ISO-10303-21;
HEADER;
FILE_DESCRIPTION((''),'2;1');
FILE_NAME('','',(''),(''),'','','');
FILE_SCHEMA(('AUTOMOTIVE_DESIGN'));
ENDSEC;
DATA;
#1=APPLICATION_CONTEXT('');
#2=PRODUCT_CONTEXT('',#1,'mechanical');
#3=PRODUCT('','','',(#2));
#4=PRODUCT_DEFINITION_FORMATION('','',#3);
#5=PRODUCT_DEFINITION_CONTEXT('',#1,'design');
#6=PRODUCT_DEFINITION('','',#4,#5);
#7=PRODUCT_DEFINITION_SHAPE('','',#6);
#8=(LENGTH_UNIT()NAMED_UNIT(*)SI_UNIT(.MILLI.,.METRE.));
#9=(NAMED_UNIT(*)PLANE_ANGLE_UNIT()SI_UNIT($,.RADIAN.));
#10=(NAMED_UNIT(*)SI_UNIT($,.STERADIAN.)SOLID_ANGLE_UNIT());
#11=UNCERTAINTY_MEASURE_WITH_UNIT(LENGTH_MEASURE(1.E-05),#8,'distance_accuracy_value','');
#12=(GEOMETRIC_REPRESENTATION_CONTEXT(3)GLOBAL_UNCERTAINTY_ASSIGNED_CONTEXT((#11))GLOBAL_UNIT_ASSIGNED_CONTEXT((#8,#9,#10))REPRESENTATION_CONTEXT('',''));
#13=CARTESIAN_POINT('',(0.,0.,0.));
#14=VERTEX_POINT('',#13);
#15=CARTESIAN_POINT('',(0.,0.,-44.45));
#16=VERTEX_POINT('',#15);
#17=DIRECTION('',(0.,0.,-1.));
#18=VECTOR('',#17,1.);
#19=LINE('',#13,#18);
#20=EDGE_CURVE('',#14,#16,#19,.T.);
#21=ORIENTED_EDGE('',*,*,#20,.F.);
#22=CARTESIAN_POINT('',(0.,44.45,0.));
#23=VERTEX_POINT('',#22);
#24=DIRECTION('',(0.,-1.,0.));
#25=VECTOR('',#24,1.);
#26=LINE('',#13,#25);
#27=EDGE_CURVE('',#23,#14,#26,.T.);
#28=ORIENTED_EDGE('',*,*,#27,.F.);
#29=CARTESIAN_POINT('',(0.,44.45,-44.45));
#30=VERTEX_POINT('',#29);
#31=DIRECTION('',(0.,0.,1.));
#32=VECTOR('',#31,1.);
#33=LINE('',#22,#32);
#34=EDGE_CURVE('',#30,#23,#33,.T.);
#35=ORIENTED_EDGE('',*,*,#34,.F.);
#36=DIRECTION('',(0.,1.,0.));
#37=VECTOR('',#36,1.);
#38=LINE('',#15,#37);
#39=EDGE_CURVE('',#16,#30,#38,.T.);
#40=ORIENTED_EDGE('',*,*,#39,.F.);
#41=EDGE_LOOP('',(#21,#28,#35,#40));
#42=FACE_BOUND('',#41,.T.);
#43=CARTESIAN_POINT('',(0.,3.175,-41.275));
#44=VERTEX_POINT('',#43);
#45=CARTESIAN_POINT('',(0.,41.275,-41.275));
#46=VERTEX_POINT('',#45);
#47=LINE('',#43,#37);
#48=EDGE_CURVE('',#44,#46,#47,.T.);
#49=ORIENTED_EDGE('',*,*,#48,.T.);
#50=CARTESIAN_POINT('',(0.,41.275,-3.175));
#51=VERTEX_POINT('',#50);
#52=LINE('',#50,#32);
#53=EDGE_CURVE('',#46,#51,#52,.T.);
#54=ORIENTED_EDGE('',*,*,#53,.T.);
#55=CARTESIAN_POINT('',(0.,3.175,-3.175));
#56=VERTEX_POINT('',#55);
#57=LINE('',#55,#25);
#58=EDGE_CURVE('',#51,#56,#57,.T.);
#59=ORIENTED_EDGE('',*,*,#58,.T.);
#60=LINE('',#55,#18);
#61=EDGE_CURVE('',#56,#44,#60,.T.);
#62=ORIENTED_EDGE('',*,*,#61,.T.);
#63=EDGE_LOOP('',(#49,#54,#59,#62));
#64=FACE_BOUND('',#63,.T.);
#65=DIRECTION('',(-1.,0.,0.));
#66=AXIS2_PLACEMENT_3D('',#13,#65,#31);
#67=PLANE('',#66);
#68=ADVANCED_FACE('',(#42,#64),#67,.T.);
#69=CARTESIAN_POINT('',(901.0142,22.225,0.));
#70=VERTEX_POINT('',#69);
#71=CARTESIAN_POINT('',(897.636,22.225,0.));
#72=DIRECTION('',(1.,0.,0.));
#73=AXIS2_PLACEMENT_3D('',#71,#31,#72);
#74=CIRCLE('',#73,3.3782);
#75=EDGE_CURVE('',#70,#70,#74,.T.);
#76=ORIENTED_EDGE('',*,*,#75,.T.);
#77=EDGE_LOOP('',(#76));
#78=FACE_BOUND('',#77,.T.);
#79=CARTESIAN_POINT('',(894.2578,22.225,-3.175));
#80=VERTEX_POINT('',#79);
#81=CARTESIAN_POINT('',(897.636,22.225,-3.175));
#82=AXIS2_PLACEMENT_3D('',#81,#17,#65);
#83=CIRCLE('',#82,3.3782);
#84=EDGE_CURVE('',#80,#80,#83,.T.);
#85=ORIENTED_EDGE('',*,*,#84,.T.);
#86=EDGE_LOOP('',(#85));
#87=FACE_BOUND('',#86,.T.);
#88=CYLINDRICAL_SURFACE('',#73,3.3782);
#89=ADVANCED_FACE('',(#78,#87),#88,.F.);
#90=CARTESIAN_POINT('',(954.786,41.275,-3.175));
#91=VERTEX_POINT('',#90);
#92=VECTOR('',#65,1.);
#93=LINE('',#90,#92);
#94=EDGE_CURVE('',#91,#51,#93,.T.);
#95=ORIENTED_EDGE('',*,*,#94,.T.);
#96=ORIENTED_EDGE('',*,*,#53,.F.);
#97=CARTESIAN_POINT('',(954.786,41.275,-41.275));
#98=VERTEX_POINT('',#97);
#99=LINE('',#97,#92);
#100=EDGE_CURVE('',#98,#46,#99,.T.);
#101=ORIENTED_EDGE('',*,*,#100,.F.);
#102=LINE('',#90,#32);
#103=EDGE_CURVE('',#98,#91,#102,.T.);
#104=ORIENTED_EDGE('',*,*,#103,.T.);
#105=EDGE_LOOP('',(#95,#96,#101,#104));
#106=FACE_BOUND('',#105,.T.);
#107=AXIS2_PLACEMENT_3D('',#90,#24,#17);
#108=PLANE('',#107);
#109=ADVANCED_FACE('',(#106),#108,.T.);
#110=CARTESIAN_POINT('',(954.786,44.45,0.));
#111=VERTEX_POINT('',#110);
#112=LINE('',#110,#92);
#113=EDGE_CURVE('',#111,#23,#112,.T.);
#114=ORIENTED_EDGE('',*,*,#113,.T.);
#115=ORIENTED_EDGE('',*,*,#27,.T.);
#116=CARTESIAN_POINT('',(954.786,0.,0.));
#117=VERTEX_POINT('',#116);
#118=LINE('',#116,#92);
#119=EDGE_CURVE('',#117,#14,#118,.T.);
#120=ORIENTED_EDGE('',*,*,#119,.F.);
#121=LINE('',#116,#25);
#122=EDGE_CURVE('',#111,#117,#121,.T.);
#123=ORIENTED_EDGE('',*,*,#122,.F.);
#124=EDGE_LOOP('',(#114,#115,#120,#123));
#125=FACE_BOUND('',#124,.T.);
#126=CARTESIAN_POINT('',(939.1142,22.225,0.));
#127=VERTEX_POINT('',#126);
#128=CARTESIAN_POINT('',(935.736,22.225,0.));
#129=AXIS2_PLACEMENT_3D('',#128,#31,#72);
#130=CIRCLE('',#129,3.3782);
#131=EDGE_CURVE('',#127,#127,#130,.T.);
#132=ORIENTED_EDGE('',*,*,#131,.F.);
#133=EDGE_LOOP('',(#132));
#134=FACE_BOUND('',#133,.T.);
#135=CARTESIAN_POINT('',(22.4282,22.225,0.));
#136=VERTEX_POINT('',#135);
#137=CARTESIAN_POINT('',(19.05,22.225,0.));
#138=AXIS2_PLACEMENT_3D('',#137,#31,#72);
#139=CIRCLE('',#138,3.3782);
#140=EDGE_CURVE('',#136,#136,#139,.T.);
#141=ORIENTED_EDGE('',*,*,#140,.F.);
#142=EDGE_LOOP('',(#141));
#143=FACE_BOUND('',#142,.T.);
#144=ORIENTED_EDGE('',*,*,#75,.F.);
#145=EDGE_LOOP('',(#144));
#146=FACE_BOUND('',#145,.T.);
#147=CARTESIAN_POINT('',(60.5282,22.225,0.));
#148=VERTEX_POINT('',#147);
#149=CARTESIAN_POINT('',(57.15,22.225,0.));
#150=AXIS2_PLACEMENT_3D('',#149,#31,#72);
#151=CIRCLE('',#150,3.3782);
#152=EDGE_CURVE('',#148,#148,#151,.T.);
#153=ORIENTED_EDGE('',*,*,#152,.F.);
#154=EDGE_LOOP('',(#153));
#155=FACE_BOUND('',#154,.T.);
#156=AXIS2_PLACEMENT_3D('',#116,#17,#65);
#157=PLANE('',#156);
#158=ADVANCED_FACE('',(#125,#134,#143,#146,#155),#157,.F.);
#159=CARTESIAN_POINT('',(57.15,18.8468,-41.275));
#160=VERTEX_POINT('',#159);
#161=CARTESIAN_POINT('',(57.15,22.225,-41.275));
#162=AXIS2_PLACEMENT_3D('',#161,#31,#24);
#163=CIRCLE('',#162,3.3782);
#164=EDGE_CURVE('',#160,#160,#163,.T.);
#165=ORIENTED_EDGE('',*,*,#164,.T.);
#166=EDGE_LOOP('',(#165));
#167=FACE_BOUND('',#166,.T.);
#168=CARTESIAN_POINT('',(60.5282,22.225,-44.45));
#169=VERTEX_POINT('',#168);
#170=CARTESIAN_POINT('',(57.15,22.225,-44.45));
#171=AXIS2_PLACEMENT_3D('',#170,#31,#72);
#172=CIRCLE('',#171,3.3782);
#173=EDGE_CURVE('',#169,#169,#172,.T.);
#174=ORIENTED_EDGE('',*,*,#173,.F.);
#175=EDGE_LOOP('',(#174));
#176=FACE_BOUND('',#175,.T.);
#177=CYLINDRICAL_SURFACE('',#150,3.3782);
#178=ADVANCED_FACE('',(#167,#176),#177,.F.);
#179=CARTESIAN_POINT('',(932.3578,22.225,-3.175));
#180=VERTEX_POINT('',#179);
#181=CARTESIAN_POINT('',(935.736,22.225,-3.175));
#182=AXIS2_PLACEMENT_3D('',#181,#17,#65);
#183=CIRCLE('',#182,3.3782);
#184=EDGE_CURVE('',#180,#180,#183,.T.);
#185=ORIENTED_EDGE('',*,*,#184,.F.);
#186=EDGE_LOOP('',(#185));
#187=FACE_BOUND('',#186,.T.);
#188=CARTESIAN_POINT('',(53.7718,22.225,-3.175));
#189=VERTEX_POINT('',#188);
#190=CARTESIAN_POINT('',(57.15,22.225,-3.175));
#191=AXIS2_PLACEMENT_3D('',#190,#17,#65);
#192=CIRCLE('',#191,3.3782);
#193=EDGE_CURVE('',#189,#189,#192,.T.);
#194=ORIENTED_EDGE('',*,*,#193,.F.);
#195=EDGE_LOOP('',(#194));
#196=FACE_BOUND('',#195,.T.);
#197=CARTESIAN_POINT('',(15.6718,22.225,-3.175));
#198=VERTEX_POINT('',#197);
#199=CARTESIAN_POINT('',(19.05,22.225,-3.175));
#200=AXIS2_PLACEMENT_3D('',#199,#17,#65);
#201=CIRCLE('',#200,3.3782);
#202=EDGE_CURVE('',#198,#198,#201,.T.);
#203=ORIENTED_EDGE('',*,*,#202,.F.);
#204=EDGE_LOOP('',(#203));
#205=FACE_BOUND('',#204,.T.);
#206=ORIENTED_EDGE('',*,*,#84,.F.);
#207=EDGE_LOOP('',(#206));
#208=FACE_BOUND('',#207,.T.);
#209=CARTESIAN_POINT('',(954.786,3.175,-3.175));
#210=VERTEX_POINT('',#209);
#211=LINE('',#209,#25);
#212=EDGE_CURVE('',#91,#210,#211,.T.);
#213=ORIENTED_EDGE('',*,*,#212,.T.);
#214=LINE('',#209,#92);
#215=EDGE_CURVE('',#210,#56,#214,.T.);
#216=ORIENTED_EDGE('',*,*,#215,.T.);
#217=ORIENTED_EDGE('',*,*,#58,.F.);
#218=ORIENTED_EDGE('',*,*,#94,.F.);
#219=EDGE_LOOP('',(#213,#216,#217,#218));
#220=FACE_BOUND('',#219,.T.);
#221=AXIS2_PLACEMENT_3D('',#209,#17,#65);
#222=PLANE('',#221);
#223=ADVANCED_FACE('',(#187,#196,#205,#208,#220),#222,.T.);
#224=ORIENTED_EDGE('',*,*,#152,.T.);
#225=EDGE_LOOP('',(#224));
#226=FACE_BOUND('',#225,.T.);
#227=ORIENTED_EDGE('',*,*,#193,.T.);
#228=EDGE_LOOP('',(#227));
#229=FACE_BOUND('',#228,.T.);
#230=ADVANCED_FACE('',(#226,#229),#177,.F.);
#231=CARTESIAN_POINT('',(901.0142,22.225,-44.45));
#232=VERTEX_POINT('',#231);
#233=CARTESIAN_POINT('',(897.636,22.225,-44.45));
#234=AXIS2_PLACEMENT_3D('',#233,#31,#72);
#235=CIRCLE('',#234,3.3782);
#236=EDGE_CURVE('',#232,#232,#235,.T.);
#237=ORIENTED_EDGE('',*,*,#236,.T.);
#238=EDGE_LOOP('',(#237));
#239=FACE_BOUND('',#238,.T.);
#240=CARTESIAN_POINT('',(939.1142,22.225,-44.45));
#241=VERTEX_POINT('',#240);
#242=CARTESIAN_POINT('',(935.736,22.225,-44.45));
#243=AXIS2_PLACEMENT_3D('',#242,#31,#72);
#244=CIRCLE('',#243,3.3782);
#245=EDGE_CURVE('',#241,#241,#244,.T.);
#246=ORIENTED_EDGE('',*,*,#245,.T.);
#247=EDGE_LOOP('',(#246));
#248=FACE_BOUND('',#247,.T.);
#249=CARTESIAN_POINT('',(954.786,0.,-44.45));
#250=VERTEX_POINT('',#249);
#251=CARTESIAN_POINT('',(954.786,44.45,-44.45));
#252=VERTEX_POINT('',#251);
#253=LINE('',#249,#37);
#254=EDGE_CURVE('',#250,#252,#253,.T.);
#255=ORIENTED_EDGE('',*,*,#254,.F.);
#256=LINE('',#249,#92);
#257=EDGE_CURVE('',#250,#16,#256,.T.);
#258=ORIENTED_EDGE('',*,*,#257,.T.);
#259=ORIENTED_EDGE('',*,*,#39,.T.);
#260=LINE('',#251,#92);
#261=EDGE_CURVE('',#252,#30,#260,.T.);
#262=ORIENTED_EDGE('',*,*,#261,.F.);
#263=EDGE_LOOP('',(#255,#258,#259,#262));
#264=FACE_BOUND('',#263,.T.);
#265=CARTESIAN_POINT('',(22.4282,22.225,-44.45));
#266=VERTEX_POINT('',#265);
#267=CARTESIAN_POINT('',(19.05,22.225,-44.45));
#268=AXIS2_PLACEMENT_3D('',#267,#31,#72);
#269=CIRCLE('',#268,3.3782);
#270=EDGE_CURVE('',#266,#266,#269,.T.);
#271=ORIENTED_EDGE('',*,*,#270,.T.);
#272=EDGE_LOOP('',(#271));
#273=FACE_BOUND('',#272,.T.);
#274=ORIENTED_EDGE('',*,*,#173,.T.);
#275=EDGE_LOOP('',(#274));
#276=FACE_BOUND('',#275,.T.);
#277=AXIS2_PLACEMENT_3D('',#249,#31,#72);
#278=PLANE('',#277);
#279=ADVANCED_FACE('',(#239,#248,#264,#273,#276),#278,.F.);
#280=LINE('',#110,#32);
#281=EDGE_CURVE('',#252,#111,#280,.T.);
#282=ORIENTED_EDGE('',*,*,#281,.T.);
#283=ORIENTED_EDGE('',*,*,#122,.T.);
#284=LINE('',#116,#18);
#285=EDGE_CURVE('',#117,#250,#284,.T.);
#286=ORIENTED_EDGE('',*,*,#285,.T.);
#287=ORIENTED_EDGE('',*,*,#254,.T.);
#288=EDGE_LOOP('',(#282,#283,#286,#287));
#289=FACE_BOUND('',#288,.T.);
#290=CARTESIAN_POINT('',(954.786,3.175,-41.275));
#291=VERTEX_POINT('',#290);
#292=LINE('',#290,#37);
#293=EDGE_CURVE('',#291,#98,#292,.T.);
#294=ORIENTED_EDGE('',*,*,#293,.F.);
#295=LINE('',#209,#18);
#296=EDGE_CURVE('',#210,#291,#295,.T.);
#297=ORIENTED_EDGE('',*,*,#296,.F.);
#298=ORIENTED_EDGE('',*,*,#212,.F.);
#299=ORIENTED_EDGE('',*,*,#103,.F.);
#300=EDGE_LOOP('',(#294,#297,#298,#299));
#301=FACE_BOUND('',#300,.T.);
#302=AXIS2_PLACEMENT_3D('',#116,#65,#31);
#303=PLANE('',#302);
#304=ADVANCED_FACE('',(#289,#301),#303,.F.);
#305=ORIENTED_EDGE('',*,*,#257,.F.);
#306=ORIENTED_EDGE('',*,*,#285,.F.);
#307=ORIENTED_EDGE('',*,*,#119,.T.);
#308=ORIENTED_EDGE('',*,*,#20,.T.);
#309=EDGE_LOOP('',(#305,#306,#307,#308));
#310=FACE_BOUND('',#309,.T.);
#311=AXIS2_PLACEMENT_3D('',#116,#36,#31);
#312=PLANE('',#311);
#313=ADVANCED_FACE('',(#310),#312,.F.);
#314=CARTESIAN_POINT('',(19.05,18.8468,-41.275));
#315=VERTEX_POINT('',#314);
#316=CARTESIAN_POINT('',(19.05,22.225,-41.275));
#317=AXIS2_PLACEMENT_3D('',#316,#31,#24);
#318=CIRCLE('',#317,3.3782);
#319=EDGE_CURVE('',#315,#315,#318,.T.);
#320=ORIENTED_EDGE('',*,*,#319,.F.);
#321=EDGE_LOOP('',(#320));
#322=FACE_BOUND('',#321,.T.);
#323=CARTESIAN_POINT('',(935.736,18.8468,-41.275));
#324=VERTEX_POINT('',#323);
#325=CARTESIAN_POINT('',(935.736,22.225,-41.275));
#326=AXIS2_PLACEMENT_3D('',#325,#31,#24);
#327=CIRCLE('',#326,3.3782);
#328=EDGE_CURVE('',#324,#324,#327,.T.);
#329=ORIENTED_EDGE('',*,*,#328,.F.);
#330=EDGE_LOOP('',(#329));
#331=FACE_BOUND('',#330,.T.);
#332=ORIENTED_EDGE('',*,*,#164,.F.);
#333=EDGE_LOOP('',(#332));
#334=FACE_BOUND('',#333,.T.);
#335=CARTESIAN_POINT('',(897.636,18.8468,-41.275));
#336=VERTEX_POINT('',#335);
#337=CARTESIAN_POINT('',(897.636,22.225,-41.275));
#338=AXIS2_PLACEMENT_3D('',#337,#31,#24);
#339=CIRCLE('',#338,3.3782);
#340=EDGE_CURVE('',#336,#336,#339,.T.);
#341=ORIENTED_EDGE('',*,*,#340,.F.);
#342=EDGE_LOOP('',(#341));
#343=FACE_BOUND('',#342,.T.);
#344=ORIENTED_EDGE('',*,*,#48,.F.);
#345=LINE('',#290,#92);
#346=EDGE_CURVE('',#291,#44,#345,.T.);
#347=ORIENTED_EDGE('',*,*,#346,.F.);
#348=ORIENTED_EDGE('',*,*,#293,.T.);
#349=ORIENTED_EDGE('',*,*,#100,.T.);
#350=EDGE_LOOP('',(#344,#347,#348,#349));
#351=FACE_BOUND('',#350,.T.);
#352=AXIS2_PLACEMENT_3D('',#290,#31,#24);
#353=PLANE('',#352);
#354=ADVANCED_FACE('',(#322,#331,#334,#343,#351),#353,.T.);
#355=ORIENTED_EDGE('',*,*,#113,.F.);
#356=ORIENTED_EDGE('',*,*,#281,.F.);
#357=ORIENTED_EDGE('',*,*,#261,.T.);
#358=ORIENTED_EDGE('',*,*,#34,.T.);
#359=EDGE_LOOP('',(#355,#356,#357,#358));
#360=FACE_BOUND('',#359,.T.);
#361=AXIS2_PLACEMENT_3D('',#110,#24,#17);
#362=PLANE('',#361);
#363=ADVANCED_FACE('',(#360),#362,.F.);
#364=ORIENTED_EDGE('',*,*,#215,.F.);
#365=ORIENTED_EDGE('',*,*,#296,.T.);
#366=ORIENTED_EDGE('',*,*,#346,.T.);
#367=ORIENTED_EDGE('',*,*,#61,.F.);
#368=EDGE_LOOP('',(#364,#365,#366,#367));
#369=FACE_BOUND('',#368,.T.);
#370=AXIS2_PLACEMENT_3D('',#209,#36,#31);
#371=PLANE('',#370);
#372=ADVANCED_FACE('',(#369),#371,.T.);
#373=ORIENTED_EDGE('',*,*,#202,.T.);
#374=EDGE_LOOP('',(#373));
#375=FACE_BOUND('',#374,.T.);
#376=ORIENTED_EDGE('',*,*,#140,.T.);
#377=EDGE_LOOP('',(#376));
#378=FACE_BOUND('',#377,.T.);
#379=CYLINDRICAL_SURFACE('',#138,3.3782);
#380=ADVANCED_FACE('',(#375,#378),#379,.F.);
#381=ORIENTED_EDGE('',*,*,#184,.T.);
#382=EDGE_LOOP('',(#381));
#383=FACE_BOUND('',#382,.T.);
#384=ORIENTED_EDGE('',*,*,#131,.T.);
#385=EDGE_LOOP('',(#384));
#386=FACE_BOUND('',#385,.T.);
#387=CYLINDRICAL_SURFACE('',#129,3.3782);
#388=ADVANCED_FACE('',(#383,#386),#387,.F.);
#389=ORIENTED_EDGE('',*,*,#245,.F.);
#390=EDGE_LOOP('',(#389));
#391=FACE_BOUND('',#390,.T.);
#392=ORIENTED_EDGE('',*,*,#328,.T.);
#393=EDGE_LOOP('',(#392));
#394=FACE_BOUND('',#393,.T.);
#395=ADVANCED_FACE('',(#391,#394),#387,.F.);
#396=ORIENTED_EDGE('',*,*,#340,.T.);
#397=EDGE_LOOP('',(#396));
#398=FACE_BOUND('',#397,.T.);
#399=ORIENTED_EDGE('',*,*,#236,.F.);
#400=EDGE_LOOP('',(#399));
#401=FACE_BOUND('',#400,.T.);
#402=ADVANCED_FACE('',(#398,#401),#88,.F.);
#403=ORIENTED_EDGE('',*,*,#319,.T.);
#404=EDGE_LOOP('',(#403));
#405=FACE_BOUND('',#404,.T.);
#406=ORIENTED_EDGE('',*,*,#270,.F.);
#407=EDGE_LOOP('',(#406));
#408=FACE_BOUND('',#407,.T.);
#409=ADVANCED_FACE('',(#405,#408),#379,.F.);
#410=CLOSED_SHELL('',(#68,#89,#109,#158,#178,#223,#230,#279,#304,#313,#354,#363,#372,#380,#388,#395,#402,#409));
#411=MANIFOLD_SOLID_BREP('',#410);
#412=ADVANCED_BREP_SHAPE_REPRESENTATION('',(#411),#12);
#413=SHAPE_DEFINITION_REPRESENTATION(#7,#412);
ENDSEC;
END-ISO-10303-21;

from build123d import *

# Parameters (mm, degrees)
SKETCH1_W               = 44.45
SKETCH1_H               = 44.45
SKETCH1_W_2             = 38.1
SKETCH1_H_2             = 38.1
BOSS_EXTRUDE1_DEPTH     = 954.786
F_1_4_CLEARANCE_HOLE1_D = 6.7564


with BuildPart() as part:
    # Sketch1 → Boss-Extrude1 (new body)
    with BuildSketch(Plane(origin=(0, 0, 0), x_dir=(0, 0, -1), z_dir=(1, 0, 0))):
        with Locations((22.225, 22.225)):
            Rectangle(SKETCH1_W, SKETCH1_H)
        with Locations((22.225, 22.225)):
            Rectangle(SKETCH1_W_2, SKETCH1_H_2, mode=Mode.SUBTRACT)
    extrude(amount=BOSS_EXTRUDE1_DEPTH)

    # 1/4 Clearance Hole1 (through all)
    with Locations(Plane.XY):
        with Locations((19.05, 22.225), (57.15, 22.225), (935.736, 22.225), (897.636, 22.225)):
            Hole(F_1_4_CLEARANCE_HOLE1_D / 2)


solid = part.part
